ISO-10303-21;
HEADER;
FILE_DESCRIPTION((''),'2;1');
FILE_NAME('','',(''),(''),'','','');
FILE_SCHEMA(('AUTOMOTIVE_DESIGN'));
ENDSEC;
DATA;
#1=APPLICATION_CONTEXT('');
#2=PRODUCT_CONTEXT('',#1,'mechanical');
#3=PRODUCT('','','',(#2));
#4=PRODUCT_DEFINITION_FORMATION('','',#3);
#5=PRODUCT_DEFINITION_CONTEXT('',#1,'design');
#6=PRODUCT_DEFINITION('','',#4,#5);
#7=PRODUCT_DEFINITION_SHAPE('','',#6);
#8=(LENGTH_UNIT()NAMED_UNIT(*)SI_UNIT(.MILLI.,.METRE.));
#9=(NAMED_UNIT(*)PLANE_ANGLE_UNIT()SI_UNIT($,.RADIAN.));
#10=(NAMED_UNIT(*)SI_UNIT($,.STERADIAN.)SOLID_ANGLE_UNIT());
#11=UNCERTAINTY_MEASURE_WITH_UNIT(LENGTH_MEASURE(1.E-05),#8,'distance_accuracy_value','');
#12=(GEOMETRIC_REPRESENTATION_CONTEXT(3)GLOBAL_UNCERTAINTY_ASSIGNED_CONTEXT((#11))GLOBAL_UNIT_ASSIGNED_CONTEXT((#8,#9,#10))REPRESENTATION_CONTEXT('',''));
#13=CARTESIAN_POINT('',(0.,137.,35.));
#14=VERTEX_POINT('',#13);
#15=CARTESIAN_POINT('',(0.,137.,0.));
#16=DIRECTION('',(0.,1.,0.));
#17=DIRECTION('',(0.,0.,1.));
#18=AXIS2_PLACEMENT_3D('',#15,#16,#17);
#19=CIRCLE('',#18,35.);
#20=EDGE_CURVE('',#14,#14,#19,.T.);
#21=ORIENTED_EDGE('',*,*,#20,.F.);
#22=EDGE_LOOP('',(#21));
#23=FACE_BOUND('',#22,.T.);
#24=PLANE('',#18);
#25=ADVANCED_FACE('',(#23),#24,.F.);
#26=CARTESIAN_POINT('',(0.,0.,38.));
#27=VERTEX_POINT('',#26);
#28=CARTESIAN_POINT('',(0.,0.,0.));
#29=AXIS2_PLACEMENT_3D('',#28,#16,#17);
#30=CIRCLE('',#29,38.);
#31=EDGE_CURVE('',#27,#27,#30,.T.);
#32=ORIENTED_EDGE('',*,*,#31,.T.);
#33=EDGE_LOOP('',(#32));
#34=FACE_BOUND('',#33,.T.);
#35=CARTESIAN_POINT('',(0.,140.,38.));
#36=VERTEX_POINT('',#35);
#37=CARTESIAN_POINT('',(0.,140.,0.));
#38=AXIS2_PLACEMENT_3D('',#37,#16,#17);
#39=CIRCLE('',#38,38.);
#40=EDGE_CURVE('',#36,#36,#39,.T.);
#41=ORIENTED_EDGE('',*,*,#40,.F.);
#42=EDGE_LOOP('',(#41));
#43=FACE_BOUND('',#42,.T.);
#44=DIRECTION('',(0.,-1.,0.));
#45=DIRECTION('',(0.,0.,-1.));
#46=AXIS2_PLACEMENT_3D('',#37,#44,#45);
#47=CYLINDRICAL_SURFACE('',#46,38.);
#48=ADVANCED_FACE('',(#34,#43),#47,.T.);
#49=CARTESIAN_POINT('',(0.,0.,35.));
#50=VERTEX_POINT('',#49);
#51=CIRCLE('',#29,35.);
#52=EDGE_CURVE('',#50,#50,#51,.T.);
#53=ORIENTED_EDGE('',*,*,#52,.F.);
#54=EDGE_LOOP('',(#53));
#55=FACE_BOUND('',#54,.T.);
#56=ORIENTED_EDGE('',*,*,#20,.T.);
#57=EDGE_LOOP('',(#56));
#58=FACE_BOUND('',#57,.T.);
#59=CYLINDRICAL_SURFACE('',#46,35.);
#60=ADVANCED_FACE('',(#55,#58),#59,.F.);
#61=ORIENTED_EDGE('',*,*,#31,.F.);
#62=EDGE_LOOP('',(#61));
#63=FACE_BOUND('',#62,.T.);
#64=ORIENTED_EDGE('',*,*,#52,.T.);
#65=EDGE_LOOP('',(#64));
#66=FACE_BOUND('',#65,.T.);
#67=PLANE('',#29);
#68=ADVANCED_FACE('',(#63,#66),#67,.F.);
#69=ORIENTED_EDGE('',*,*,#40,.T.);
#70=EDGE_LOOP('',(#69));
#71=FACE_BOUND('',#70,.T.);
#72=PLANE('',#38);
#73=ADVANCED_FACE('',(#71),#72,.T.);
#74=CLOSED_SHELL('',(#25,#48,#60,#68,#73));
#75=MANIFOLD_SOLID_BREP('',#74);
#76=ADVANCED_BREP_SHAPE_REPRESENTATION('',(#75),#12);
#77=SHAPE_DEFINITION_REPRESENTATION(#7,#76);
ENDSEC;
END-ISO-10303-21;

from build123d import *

# Parameters (mm, degrees)
SKETCH_1_R      = 38
EXTRUDE_1_DEPTH = 140
SHELL_1_T       = -3


with BuildPart() as part:
    # 草图1 → 拉伸1 (new body)
    with BuildSketch(Plane(origin=(0, 0, 0), x_dir=(1, 0, 0), z_dir=(0, 1, 0))):
        with Locations(Location((0, 0, 0), (0, 0, 270))):
            Circle(SKETCH_1_R)
    extrude(amount=EXTRUDE_1_DEPTH)

    # 抽壳1
    shell_1_openings = [part.faces().sort_by_distance(p)[0] for p in [
        (0, 0, 0),
    ]]
    offset(amount=SHELL_1_T, openings=shell_1_openings, kind=Kind.INTERSECTION)


solid = part.part
